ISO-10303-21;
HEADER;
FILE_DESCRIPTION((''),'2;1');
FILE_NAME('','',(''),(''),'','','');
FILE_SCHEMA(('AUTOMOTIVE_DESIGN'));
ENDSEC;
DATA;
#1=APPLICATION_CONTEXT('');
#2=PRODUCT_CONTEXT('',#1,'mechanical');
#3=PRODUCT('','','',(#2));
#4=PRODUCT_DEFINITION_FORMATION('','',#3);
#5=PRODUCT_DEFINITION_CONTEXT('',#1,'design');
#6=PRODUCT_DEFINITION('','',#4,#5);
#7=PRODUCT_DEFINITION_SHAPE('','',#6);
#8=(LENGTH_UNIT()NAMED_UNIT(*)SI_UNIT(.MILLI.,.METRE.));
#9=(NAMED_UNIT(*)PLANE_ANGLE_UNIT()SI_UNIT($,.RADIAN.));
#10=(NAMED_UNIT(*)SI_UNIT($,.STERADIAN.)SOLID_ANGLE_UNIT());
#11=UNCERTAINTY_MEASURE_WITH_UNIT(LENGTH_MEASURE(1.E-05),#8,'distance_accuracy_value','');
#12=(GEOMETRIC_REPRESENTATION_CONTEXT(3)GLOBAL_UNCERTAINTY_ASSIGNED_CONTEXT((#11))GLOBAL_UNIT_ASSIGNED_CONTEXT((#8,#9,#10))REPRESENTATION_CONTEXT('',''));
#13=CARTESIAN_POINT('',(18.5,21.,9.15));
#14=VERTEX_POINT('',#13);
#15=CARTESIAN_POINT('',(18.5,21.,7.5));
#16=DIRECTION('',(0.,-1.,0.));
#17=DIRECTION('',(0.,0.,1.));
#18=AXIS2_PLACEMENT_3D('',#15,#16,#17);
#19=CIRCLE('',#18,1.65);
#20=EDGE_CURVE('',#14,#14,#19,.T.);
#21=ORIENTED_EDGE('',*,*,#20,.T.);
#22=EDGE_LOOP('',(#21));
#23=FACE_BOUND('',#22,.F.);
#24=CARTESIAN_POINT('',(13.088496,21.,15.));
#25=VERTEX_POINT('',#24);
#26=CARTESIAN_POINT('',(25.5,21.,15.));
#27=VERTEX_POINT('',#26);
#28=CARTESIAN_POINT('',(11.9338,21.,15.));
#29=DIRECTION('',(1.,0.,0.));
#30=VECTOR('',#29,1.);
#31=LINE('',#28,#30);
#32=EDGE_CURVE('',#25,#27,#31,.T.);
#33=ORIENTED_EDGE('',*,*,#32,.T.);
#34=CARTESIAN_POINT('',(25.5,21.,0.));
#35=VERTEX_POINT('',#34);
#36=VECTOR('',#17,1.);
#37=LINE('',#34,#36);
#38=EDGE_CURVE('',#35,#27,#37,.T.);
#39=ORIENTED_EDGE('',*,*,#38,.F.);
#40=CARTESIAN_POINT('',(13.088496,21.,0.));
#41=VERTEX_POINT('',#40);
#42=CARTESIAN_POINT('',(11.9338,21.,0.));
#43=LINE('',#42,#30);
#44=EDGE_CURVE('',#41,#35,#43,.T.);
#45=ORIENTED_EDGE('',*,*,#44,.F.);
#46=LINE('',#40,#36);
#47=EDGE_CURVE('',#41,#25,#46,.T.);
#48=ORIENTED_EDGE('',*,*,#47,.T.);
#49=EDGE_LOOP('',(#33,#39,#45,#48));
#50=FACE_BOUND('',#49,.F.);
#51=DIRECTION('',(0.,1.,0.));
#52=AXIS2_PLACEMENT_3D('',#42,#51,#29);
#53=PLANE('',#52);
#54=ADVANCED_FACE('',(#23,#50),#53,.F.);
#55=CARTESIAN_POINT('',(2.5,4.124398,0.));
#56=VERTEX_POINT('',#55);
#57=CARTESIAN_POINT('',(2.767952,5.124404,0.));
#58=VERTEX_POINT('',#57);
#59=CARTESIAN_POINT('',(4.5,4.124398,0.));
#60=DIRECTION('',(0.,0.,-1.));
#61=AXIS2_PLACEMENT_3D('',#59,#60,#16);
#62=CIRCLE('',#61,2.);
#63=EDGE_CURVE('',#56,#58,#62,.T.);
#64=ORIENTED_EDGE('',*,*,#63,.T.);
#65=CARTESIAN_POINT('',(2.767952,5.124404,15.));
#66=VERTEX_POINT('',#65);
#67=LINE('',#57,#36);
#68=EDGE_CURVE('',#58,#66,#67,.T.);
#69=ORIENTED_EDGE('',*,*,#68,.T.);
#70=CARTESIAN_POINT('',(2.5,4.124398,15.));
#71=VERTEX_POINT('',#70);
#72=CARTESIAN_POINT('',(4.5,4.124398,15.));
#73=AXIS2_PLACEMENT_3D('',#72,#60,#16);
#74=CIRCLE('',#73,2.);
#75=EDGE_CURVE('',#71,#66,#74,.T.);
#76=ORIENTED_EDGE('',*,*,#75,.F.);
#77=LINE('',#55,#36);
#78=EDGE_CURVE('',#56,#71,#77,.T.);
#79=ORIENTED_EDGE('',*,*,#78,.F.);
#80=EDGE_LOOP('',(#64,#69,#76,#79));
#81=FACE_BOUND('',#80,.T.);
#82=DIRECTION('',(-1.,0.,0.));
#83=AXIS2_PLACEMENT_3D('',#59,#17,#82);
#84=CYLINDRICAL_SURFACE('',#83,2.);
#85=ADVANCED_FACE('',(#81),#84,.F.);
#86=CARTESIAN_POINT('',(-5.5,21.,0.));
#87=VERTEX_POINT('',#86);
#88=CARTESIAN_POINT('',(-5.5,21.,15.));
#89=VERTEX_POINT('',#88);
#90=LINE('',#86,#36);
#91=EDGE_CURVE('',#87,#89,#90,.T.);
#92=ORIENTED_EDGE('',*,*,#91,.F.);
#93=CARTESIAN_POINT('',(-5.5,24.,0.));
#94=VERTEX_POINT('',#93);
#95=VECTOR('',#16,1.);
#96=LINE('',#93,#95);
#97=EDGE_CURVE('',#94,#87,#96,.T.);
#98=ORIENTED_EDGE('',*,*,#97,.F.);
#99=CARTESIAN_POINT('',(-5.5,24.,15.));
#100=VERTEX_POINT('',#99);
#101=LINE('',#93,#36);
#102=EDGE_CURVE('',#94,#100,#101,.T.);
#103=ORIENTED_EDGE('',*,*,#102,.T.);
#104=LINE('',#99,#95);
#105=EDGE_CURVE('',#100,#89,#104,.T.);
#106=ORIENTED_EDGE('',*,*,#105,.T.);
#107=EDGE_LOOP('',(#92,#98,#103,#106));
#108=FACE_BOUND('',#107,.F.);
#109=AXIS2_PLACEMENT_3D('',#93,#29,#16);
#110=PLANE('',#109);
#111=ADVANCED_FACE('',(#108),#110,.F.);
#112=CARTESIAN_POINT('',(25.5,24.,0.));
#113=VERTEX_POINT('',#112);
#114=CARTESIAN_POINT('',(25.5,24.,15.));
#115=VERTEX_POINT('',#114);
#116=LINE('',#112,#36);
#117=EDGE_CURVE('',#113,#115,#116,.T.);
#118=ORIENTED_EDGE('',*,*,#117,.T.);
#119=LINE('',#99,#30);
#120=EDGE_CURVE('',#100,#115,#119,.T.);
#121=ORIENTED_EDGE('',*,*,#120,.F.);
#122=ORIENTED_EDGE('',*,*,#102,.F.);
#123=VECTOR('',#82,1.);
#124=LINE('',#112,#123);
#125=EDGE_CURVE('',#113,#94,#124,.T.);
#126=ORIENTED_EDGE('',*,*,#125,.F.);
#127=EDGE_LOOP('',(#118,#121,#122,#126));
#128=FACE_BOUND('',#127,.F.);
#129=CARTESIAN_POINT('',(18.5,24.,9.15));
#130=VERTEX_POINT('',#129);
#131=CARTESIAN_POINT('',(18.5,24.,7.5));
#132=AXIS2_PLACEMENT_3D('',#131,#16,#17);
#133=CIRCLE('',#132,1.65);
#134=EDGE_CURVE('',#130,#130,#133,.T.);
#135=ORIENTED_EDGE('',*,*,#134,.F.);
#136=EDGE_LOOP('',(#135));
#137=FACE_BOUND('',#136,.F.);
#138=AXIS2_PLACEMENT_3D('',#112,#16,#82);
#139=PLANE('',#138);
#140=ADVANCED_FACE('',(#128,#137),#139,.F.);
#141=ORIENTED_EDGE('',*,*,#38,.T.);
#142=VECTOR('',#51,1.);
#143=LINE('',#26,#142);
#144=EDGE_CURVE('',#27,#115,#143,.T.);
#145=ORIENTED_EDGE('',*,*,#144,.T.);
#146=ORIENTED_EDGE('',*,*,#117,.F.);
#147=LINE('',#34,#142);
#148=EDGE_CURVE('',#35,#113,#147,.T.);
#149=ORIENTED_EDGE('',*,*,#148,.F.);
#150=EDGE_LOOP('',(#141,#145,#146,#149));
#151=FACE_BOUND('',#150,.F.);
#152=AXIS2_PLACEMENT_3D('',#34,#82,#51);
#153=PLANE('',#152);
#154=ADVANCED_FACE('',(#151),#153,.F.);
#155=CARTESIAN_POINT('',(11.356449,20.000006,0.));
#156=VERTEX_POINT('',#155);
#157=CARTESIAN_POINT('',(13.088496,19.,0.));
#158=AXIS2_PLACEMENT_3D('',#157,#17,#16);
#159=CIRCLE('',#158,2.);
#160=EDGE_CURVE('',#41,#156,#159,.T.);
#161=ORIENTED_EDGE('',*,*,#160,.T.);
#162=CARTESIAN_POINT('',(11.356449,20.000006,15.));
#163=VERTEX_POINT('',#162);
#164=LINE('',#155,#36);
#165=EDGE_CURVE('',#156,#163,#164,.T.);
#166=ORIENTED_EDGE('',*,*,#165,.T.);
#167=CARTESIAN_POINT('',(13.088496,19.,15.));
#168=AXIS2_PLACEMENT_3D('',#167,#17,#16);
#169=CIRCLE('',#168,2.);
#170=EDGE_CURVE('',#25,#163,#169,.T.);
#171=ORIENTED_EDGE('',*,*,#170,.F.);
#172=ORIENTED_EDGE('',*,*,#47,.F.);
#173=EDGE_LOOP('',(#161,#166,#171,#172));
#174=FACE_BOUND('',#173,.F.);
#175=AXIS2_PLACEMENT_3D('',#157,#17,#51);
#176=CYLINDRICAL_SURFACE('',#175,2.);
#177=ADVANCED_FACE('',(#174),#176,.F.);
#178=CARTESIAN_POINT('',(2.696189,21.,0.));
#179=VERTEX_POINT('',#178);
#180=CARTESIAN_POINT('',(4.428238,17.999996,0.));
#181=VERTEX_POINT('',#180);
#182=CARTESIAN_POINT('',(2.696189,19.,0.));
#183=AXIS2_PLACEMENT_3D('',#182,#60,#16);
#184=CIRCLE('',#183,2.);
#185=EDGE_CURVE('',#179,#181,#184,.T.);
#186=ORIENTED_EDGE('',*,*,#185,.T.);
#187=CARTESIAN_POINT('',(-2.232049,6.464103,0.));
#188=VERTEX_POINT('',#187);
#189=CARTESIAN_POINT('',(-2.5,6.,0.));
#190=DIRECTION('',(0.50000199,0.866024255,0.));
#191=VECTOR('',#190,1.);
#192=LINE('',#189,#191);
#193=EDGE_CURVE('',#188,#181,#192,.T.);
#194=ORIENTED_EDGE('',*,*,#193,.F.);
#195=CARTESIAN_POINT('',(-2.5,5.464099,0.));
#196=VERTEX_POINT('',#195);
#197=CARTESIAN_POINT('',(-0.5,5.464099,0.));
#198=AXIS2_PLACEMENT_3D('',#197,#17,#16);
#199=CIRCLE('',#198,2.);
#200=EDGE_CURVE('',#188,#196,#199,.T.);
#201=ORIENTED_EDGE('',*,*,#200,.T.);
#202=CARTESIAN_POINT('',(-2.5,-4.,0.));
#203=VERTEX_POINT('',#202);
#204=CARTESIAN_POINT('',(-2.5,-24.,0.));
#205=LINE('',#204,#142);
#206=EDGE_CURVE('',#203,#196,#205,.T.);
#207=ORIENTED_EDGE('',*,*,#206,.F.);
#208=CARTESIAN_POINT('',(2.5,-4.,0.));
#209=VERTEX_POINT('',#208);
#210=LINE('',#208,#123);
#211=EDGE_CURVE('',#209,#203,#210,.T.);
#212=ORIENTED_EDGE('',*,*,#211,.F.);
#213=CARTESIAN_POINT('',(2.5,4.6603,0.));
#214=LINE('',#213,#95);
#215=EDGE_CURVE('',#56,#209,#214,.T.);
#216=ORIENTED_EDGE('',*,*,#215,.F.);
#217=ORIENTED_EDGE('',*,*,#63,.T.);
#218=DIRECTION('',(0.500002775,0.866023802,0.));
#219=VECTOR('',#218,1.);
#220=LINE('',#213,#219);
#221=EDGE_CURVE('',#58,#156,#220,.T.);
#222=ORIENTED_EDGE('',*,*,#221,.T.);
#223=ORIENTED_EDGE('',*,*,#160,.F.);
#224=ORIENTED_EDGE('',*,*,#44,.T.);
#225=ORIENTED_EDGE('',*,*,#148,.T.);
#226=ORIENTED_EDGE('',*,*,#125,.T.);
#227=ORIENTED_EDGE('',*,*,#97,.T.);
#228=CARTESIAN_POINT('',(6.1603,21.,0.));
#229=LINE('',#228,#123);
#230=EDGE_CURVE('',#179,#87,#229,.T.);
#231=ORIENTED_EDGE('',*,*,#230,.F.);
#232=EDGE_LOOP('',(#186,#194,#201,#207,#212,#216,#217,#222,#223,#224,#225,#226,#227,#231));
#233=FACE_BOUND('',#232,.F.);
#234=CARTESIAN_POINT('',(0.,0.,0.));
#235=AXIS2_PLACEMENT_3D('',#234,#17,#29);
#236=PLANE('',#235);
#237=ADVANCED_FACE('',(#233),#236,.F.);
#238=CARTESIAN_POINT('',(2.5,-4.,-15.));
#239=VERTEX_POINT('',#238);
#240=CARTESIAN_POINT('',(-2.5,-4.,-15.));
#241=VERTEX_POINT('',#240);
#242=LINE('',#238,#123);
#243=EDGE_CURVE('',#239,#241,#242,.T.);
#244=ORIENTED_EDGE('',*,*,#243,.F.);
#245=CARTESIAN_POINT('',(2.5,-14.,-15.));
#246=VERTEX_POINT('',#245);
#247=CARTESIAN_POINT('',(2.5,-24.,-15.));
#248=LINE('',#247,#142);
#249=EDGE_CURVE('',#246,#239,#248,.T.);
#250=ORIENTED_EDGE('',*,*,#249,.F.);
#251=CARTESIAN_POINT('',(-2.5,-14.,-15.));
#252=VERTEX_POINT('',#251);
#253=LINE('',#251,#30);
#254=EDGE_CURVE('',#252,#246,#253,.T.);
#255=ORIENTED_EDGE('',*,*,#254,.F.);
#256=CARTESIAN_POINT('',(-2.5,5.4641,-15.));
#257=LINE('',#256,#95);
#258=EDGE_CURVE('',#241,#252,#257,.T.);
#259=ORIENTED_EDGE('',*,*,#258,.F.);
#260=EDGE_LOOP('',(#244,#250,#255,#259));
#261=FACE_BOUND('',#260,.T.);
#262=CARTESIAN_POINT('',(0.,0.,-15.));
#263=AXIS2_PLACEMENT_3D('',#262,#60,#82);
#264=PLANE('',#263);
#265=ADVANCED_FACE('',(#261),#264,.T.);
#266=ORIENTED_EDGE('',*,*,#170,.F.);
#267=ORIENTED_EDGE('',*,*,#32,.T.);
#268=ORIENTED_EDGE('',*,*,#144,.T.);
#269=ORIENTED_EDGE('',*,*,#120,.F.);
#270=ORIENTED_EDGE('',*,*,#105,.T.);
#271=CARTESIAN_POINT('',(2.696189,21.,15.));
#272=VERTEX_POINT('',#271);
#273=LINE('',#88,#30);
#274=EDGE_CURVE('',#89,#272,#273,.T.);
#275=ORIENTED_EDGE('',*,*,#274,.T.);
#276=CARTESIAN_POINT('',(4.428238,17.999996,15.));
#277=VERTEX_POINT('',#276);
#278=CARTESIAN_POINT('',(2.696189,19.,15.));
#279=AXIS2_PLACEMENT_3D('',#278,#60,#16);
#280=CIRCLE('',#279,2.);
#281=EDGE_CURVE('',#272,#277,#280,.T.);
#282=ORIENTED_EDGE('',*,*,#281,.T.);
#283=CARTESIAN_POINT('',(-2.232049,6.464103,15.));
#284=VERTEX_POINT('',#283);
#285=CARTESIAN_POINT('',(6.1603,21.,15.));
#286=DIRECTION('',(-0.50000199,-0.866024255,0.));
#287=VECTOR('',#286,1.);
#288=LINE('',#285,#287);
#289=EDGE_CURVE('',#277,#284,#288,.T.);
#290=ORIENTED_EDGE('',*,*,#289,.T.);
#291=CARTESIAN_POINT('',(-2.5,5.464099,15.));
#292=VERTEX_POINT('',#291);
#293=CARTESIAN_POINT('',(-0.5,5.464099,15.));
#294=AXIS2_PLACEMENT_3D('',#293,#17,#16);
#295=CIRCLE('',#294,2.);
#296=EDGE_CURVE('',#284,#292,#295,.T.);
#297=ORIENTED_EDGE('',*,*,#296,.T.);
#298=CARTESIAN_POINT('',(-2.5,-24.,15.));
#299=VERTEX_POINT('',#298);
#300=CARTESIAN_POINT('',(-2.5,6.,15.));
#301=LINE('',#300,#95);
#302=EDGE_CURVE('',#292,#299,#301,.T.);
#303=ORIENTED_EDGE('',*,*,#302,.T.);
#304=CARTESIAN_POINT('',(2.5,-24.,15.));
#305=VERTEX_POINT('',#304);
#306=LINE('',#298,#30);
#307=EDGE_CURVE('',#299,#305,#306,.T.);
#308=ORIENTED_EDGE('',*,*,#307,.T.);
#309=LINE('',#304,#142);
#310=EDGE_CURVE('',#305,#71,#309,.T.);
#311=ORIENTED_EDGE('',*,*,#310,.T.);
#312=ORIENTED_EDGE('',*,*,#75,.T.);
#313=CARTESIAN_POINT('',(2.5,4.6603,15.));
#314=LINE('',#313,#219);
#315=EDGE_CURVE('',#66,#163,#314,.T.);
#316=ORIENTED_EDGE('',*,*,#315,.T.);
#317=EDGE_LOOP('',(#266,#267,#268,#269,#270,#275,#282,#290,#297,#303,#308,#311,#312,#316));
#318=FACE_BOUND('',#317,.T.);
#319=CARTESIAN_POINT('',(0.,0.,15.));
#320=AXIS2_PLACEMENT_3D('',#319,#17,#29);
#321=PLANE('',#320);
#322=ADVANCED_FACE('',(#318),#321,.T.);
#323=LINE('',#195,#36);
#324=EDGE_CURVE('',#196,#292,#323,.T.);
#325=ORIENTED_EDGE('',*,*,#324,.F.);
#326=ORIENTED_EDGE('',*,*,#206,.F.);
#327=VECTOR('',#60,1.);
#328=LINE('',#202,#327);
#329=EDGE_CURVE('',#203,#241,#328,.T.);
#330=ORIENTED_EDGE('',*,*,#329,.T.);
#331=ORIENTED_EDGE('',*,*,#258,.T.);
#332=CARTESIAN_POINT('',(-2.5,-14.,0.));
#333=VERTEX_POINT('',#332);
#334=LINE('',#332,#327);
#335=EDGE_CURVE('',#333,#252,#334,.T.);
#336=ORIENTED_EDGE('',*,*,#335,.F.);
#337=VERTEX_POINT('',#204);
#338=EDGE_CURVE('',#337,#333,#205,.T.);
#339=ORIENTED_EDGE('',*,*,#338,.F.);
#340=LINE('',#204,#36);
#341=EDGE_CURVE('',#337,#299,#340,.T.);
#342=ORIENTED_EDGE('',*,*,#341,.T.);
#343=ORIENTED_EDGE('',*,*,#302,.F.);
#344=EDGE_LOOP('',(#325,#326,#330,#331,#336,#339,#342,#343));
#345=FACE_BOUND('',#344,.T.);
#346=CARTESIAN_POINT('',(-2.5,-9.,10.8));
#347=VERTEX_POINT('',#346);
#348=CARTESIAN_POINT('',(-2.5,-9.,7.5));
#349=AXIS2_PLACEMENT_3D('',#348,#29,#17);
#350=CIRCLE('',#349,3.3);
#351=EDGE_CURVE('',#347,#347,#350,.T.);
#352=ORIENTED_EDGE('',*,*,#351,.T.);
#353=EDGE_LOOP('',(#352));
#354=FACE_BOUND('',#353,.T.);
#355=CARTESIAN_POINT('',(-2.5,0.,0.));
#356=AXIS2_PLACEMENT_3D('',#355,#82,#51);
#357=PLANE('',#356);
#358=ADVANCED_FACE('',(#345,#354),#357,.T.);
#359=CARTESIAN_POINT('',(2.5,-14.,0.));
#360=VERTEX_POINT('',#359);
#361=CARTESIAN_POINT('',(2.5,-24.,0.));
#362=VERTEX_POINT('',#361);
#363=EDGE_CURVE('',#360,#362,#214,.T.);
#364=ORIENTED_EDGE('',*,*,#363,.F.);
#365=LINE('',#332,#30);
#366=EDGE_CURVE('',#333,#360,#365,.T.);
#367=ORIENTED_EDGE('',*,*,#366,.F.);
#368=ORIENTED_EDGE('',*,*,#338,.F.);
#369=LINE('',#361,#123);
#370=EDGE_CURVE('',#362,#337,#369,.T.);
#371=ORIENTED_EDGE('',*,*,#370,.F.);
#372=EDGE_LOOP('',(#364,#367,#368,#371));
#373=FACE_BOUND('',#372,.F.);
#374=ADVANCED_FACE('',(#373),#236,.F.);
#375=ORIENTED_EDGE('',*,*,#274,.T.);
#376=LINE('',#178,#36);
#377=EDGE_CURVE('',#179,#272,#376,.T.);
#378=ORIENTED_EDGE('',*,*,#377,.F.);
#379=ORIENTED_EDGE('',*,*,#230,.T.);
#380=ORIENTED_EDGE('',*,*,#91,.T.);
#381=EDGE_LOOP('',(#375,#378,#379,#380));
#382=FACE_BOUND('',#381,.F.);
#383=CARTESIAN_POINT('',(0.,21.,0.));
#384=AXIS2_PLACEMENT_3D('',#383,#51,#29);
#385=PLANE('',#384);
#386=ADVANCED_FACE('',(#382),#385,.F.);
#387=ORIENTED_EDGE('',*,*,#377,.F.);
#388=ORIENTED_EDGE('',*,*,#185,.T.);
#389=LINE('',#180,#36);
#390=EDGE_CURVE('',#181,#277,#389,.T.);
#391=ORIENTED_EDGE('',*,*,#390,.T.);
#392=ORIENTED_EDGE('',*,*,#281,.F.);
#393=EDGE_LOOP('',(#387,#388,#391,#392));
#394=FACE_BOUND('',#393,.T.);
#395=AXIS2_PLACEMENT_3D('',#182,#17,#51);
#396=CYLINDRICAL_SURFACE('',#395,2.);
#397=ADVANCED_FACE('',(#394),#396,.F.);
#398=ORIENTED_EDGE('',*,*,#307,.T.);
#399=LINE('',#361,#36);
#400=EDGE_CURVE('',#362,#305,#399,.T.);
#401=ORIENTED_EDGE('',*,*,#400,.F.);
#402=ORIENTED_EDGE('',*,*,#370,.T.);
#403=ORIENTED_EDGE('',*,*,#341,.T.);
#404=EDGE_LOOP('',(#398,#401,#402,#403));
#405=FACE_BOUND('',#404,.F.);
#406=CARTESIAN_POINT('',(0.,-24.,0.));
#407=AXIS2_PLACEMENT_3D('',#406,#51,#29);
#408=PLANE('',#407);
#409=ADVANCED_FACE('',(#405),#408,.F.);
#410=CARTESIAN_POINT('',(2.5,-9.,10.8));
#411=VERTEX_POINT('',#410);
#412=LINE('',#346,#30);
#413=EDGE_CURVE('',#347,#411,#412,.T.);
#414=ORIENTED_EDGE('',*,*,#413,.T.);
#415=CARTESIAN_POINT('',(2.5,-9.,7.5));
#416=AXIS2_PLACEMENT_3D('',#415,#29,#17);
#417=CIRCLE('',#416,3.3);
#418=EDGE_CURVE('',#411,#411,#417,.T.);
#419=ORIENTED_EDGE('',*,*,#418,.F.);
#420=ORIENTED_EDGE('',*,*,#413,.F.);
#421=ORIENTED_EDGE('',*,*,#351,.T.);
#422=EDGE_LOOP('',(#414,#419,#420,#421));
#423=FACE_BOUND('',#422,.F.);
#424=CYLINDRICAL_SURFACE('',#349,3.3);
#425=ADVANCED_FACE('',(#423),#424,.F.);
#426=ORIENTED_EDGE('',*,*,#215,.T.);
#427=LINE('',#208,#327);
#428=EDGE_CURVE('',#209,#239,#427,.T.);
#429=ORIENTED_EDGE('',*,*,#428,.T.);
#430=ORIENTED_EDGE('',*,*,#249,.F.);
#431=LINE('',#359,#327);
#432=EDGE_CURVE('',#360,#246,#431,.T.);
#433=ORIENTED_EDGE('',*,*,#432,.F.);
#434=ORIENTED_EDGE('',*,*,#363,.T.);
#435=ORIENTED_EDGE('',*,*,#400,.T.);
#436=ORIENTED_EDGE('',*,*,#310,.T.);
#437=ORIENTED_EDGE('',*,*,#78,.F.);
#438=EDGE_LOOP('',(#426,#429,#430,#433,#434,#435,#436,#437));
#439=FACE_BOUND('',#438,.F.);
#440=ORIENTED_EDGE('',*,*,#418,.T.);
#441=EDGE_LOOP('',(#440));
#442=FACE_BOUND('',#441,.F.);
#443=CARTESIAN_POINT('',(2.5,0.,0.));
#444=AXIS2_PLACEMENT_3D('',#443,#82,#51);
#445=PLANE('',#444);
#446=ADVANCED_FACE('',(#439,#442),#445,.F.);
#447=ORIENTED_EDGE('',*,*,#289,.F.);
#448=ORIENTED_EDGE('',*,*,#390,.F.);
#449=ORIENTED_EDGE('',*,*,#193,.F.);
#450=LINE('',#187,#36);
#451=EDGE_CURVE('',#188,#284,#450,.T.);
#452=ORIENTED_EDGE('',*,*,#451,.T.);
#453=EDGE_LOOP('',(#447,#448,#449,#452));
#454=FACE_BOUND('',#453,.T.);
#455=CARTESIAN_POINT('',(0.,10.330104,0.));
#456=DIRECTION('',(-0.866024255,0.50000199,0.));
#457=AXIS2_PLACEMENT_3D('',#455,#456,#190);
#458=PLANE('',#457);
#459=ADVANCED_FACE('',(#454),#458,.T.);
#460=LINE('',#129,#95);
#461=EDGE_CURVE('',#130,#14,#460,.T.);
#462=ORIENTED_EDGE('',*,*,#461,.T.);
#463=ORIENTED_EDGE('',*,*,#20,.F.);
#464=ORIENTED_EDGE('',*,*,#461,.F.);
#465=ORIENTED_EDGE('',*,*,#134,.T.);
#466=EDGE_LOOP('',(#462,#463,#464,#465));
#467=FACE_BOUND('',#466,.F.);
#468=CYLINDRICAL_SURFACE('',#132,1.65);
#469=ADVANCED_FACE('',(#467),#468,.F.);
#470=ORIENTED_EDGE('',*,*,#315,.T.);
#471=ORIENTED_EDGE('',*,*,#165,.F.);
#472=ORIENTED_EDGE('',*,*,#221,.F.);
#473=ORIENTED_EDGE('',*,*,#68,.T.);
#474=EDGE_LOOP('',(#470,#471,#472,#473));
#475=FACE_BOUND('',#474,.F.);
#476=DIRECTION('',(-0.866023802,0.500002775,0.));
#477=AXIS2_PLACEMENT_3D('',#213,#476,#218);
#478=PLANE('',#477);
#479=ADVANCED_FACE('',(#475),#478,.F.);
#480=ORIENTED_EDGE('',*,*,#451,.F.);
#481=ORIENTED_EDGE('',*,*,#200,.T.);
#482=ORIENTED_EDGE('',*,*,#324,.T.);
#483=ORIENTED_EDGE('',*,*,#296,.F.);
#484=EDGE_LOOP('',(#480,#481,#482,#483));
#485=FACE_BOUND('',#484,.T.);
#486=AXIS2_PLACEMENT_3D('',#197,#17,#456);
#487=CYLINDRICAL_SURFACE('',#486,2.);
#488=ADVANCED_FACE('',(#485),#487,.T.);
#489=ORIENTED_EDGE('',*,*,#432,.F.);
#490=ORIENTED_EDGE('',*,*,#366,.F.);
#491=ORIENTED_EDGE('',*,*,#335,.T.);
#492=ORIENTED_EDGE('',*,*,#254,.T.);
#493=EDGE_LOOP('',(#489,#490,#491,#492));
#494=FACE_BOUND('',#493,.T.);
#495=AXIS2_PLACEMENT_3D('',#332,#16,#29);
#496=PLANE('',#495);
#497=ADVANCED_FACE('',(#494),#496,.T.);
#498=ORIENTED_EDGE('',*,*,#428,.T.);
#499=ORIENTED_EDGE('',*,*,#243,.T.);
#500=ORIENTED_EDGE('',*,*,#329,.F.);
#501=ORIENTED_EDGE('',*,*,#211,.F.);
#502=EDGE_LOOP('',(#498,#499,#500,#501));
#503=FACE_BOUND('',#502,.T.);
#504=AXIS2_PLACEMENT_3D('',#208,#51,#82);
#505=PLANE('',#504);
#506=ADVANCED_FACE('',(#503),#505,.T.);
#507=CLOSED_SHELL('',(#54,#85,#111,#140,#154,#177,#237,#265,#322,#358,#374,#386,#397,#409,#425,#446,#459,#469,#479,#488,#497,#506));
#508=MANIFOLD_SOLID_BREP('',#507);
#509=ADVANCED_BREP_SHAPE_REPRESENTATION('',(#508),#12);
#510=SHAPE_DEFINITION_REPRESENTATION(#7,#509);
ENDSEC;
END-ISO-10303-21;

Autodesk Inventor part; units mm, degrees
ref_plane "YZ Plane" through (0, 0, 0) normal (1, 0, 0) x (0, 1, 0)
ref_plane "XZ Plane" through (0, 0, 0) normal (0, 1, 0) x (-1, 0, 0)
ref_plane "XY Plane" through (0, 0, 0) normal (0, 0, 1) x (1, 0, 0)
sketch "Náčrt1" plane through (0, 0, 0) normal (0, 0, 1) x (1, 0, 0)
  line L0 (0, 33.6) -> (0, -33.6)
  line L1 (-11.7, 0) -> (31.7, 0)
  line L2 (-2.5, -24) -> (2.5, -24)
  line L3 (2.5, -24) -> (2.5, 4.6603)
  line L4 (2.5, 4.6603) -> (11.9338, 21)
  line L5 (11.9338, 21) -> (25.5, 21)
  line L6 (25.5, 21) -> (25.5, 24)
  line L7 (25.5, 24) -> (-5.5, 24)
  line L8 (-5.5, 24) -> (-5.5, 21)
  line L9 (-5.5, 21) -> (11.9338, 21)
  line L10 (-2.5, -24) -> (-2.5, 6)
  line L11 (-2.5, 6) -> (6.1603, 21)
  point P0 (0, 0)
  dimension "d0" = 5
  dimension "d2" = 5
  dimension "d3" = 30
  dimension "d4" = 15
  dimension "d5" = 31
  dimension "d6" = 3
  dimension "d7" = 60
  dimension "d8" = 3
extrude "Vysunutí1" add sketch "Náčrt1" along normal blind 15 contours L7 L6 L5 L9 L0 | L0 L9 L8 L7 | L11 L9 L4 L3 L1 L0 | L0 L1 L10 L11 | L1 L3 L2 L0 | L0 L2 L10 L1
sketch "Náčrt2" plane through (-2.5, -24, 0) normal (-1, 0, 0) x (0, 0, 1)
  line L0 (0, 30) -> (0, 0)
  line L1 (0, 0) -> (15, 0)
  line L2 (15, 30) -> (15, 0)
  line L3 (0, 30) -> (15, 30)
  line L4 (0, -9.6) -> (0, 57.6)
  line L5 (-3, 24) -> (18, 24)
  point P0 (0, 24)
  point P1 (7.5, 15)
  dimension "d11" = 15
  dimension "d12" = 7.5
hole "Díra1" at (-2.5, -9, 7.5) direction (1, 0, 0) diameter 6.6 end through all
sketch "Náčrt3" plane through (-5.5, 24, 0) normal (0, 1, 0) x (1, 0, 0)
  line L0 (31, 0) -> (0, 0)
  line L1 (0, 0) -> (0, -15)
  line L2 (31, -15) -> (0, -15)
  line L3 (31, 0) -> (31, -15)
  line L4 (5.5, 3) -> (5.5, -18)
  line L5 (37.2, 0) -> (-6.2, 0)
  point P0 (5.5, 0)
  point P1 (24, -7.5)
  point P2 (31, -7.5)
  dimension "d20" = 7.5
  dimension "d21" = 7
hole "Díra2" at (18.5, 24, 7.5) direction (0, -1, 0) diameter 3.3 end through all
fillet "Zaoblení1" radius 2 4 edges at (11.9338, 21, 7.5) (6.1603, 21, 7.5) (2.5, 4.6603, 7.5) (-2.5, 6, 7.5)
sketch "Náčrt4" plane through (0, 0, 0) normal (0, 0, -1) x (-1, 0, 0)
  arc A0 (2.5, 5.4641) -> (2.2321, 6.4641) centre (0.5, 5.4641) ccw
  line L0 (-4.4282, 18) -> (2.2321, 6.4641)
  arc A1 (-2.6962, 21) -> (-4.4282, 18) centre (-2.6962, 19) ccw
  line L1 (5.5, 21) -> (-2.6962, 21)
  line L2 (5.5, 24) -> (5.5, 21)
  line L3 (-25.5, 24) -> (5.5, 24)
  line L4 (-25.5, 21) -> (-25.5, 24)
  line L5 (-13.0885, 21) -> (-25.5, 21)
  arc A2 (-11.3564, 20) -> (-13.0885, 21) centre (-13.0885, 19) ccw
  line L6 (-2.7679, 5.1244) -> (-11.3564, 20)
  arc A3 (-2.5, 4.1244) -> (-2.7679, 5.1244) centre (-4.5, 4.1244) ccw
  line L7 (-2.5, -24) -> (-2.5, 4.1244)
  line L8 (2.5, -24) -> (-2.5, -24)
  line L9 (2.5, 5.4641) -> (2.5, -24)
  line L10 (2.5, -14) -> (-2.5, -14)
  line L11 (-2.5, -14) -> (-2.5, -4)
  line L12 (-2.5, -4) -> (2.5, -4)
  line L13 (2.5, -4) -> (2.5, -14)
  point P0 (0, 0)
  dimension "d30" = 10
  dimension "d31" = 10
extrude "Vysunutí2" add sketch "Náčrt4" along normal blind 15 contours L9 L10 L7 L12
properties part number "IR_senzor_hold_v2_3D tisk"
